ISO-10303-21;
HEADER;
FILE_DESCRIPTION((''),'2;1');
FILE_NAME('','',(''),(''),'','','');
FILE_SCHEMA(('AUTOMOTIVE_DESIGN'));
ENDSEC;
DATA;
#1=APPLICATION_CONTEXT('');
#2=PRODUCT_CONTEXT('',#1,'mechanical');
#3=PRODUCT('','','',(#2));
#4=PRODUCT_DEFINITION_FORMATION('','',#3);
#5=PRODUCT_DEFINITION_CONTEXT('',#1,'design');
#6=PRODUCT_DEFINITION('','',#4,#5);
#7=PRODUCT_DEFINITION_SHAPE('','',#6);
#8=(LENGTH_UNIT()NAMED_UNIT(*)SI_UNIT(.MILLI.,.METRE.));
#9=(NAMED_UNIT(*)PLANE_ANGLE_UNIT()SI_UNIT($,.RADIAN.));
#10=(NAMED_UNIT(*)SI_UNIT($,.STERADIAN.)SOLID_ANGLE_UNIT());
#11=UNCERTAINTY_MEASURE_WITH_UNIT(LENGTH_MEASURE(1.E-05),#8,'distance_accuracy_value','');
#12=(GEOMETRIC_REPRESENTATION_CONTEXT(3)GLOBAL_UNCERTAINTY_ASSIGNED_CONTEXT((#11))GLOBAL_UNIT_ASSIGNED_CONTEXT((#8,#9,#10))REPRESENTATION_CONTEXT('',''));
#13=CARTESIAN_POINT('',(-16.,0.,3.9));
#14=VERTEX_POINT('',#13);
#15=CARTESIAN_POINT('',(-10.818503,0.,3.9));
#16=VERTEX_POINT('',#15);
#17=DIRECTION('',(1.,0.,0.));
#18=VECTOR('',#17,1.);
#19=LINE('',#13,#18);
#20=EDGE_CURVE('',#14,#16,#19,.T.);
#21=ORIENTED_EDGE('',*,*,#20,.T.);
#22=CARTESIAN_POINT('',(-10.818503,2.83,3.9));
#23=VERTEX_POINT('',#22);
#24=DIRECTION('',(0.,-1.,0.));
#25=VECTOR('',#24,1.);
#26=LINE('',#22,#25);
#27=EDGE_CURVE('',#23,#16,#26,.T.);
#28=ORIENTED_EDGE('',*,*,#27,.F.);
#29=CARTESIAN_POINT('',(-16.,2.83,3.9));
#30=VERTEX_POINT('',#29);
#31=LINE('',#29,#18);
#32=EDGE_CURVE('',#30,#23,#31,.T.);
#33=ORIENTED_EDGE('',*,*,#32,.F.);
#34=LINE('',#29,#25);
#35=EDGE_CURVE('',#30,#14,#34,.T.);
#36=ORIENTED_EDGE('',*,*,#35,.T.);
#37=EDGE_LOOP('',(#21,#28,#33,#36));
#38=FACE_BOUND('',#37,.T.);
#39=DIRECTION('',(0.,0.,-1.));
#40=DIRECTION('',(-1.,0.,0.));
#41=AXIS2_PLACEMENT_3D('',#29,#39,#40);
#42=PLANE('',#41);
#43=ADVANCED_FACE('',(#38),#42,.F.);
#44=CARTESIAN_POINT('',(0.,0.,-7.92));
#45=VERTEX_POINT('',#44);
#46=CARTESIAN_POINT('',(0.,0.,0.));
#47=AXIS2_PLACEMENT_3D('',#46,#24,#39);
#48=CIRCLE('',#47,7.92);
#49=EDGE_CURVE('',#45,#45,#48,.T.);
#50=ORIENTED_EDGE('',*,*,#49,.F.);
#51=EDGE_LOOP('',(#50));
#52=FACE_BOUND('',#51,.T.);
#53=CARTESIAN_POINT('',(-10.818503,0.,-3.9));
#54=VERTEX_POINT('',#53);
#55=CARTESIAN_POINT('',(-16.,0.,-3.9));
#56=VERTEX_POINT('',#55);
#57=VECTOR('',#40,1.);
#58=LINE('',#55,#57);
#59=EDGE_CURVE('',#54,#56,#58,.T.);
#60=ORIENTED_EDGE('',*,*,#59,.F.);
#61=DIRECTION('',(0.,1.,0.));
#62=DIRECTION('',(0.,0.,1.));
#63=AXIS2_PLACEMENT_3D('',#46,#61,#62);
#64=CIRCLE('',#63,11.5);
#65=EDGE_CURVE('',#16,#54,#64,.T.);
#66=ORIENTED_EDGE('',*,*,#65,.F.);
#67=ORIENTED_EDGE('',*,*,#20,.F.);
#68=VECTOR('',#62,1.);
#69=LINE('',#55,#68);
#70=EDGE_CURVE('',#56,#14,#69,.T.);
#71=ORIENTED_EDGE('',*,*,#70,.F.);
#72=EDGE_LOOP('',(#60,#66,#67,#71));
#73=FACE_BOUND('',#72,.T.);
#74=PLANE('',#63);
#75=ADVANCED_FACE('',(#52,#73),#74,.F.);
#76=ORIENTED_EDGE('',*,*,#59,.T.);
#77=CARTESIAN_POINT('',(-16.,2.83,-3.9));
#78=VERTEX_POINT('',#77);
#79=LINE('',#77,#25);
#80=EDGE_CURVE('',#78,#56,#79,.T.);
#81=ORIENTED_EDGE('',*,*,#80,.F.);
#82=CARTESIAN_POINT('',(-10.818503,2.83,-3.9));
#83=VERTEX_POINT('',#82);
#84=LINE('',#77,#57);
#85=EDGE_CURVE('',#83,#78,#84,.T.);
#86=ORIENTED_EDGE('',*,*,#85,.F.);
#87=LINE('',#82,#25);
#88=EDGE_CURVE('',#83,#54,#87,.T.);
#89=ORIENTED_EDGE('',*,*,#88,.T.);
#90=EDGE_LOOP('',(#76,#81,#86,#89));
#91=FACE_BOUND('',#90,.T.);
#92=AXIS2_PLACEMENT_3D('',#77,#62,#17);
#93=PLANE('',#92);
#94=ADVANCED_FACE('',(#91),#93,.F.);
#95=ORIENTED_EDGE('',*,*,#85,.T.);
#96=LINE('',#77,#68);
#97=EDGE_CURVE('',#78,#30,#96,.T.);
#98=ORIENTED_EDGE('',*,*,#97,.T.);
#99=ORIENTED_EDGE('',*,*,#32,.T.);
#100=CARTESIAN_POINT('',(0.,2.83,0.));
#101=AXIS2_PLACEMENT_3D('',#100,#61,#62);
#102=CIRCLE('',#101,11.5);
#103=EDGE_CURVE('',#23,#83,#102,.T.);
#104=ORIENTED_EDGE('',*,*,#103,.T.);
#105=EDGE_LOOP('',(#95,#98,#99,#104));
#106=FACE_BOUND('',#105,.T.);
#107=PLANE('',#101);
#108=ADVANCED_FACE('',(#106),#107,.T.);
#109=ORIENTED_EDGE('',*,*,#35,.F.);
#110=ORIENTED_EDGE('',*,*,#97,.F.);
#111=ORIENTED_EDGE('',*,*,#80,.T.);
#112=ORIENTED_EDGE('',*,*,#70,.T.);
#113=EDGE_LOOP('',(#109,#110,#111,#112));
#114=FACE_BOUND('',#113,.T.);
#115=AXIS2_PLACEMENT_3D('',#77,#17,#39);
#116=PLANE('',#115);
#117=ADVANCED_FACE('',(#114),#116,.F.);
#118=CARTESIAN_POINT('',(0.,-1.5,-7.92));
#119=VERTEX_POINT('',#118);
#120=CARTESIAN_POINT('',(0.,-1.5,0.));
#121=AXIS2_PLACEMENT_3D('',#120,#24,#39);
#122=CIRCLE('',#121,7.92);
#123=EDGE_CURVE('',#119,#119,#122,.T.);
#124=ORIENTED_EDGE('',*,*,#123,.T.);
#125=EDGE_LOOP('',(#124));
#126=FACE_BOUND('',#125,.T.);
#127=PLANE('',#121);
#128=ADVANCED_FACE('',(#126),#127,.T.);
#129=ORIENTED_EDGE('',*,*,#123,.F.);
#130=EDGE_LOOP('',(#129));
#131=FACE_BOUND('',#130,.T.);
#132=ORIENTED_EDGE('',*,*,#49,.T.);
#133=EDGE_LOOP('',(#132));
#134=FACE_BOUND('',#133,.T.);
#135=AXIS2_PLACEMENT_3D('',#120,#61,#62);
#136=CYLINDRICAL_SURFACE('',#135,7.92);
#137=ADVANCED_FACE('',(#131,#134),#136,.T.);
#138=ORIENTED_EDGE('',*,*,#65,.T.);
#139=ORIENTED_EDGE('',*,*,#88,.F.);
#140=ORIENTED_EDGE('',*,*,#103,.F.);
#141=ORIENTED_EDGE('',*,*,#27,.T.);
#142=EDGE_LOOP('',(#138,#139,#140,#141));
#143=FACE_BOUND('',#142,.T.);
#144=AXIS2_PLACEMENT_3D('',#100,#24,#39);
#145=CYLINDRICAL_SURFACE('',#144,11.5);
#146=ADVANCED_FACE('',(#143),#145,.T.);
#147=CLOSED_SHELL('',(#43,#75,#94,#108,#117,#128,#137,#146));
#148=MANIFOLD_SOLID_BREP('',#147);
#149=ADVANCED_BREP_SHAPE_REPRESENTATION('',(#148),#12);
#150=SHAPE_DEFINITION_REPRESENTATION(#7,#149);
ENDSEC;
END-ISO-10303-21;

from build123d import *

# Parameters (mm, degrees)
EXTRUDE_1_DEPTH = 2.83
SKETCH_2_R      = 7.92
EXTRUDE_2_DEPTH = 1.5


with BuildPart() as part:
    # 草图1 → 凸台-拉伸1 (new body)
    with BuildSketch(Plane(origin=(0, 0, 0), x_dir=(1, 0, 0), z_dir=(0, 1, 0))):
        with BuildLine():
            Line((-16, 3.9), (-10.818502669, 3.9))
            ThreePointArc((-10.818502669, 3.9), (11.5, 0), (-10.818502669, -3.9))
            Line((-10.818502669, -3.9), (-16, -3.9))
            Line((-16, -3.9), (-16, 3.9))
        make_face()
    extrude(amount=EXTRUDE_1_DEPTH)

    # 草图2 → 凸台-拉伸2 (add)
    with BuildSketch(Plane.XZ):
        Circle(SKETCH_2_R)
    extrude(amount=EXTRUDE_2_DEPTH)


solid = part.part
